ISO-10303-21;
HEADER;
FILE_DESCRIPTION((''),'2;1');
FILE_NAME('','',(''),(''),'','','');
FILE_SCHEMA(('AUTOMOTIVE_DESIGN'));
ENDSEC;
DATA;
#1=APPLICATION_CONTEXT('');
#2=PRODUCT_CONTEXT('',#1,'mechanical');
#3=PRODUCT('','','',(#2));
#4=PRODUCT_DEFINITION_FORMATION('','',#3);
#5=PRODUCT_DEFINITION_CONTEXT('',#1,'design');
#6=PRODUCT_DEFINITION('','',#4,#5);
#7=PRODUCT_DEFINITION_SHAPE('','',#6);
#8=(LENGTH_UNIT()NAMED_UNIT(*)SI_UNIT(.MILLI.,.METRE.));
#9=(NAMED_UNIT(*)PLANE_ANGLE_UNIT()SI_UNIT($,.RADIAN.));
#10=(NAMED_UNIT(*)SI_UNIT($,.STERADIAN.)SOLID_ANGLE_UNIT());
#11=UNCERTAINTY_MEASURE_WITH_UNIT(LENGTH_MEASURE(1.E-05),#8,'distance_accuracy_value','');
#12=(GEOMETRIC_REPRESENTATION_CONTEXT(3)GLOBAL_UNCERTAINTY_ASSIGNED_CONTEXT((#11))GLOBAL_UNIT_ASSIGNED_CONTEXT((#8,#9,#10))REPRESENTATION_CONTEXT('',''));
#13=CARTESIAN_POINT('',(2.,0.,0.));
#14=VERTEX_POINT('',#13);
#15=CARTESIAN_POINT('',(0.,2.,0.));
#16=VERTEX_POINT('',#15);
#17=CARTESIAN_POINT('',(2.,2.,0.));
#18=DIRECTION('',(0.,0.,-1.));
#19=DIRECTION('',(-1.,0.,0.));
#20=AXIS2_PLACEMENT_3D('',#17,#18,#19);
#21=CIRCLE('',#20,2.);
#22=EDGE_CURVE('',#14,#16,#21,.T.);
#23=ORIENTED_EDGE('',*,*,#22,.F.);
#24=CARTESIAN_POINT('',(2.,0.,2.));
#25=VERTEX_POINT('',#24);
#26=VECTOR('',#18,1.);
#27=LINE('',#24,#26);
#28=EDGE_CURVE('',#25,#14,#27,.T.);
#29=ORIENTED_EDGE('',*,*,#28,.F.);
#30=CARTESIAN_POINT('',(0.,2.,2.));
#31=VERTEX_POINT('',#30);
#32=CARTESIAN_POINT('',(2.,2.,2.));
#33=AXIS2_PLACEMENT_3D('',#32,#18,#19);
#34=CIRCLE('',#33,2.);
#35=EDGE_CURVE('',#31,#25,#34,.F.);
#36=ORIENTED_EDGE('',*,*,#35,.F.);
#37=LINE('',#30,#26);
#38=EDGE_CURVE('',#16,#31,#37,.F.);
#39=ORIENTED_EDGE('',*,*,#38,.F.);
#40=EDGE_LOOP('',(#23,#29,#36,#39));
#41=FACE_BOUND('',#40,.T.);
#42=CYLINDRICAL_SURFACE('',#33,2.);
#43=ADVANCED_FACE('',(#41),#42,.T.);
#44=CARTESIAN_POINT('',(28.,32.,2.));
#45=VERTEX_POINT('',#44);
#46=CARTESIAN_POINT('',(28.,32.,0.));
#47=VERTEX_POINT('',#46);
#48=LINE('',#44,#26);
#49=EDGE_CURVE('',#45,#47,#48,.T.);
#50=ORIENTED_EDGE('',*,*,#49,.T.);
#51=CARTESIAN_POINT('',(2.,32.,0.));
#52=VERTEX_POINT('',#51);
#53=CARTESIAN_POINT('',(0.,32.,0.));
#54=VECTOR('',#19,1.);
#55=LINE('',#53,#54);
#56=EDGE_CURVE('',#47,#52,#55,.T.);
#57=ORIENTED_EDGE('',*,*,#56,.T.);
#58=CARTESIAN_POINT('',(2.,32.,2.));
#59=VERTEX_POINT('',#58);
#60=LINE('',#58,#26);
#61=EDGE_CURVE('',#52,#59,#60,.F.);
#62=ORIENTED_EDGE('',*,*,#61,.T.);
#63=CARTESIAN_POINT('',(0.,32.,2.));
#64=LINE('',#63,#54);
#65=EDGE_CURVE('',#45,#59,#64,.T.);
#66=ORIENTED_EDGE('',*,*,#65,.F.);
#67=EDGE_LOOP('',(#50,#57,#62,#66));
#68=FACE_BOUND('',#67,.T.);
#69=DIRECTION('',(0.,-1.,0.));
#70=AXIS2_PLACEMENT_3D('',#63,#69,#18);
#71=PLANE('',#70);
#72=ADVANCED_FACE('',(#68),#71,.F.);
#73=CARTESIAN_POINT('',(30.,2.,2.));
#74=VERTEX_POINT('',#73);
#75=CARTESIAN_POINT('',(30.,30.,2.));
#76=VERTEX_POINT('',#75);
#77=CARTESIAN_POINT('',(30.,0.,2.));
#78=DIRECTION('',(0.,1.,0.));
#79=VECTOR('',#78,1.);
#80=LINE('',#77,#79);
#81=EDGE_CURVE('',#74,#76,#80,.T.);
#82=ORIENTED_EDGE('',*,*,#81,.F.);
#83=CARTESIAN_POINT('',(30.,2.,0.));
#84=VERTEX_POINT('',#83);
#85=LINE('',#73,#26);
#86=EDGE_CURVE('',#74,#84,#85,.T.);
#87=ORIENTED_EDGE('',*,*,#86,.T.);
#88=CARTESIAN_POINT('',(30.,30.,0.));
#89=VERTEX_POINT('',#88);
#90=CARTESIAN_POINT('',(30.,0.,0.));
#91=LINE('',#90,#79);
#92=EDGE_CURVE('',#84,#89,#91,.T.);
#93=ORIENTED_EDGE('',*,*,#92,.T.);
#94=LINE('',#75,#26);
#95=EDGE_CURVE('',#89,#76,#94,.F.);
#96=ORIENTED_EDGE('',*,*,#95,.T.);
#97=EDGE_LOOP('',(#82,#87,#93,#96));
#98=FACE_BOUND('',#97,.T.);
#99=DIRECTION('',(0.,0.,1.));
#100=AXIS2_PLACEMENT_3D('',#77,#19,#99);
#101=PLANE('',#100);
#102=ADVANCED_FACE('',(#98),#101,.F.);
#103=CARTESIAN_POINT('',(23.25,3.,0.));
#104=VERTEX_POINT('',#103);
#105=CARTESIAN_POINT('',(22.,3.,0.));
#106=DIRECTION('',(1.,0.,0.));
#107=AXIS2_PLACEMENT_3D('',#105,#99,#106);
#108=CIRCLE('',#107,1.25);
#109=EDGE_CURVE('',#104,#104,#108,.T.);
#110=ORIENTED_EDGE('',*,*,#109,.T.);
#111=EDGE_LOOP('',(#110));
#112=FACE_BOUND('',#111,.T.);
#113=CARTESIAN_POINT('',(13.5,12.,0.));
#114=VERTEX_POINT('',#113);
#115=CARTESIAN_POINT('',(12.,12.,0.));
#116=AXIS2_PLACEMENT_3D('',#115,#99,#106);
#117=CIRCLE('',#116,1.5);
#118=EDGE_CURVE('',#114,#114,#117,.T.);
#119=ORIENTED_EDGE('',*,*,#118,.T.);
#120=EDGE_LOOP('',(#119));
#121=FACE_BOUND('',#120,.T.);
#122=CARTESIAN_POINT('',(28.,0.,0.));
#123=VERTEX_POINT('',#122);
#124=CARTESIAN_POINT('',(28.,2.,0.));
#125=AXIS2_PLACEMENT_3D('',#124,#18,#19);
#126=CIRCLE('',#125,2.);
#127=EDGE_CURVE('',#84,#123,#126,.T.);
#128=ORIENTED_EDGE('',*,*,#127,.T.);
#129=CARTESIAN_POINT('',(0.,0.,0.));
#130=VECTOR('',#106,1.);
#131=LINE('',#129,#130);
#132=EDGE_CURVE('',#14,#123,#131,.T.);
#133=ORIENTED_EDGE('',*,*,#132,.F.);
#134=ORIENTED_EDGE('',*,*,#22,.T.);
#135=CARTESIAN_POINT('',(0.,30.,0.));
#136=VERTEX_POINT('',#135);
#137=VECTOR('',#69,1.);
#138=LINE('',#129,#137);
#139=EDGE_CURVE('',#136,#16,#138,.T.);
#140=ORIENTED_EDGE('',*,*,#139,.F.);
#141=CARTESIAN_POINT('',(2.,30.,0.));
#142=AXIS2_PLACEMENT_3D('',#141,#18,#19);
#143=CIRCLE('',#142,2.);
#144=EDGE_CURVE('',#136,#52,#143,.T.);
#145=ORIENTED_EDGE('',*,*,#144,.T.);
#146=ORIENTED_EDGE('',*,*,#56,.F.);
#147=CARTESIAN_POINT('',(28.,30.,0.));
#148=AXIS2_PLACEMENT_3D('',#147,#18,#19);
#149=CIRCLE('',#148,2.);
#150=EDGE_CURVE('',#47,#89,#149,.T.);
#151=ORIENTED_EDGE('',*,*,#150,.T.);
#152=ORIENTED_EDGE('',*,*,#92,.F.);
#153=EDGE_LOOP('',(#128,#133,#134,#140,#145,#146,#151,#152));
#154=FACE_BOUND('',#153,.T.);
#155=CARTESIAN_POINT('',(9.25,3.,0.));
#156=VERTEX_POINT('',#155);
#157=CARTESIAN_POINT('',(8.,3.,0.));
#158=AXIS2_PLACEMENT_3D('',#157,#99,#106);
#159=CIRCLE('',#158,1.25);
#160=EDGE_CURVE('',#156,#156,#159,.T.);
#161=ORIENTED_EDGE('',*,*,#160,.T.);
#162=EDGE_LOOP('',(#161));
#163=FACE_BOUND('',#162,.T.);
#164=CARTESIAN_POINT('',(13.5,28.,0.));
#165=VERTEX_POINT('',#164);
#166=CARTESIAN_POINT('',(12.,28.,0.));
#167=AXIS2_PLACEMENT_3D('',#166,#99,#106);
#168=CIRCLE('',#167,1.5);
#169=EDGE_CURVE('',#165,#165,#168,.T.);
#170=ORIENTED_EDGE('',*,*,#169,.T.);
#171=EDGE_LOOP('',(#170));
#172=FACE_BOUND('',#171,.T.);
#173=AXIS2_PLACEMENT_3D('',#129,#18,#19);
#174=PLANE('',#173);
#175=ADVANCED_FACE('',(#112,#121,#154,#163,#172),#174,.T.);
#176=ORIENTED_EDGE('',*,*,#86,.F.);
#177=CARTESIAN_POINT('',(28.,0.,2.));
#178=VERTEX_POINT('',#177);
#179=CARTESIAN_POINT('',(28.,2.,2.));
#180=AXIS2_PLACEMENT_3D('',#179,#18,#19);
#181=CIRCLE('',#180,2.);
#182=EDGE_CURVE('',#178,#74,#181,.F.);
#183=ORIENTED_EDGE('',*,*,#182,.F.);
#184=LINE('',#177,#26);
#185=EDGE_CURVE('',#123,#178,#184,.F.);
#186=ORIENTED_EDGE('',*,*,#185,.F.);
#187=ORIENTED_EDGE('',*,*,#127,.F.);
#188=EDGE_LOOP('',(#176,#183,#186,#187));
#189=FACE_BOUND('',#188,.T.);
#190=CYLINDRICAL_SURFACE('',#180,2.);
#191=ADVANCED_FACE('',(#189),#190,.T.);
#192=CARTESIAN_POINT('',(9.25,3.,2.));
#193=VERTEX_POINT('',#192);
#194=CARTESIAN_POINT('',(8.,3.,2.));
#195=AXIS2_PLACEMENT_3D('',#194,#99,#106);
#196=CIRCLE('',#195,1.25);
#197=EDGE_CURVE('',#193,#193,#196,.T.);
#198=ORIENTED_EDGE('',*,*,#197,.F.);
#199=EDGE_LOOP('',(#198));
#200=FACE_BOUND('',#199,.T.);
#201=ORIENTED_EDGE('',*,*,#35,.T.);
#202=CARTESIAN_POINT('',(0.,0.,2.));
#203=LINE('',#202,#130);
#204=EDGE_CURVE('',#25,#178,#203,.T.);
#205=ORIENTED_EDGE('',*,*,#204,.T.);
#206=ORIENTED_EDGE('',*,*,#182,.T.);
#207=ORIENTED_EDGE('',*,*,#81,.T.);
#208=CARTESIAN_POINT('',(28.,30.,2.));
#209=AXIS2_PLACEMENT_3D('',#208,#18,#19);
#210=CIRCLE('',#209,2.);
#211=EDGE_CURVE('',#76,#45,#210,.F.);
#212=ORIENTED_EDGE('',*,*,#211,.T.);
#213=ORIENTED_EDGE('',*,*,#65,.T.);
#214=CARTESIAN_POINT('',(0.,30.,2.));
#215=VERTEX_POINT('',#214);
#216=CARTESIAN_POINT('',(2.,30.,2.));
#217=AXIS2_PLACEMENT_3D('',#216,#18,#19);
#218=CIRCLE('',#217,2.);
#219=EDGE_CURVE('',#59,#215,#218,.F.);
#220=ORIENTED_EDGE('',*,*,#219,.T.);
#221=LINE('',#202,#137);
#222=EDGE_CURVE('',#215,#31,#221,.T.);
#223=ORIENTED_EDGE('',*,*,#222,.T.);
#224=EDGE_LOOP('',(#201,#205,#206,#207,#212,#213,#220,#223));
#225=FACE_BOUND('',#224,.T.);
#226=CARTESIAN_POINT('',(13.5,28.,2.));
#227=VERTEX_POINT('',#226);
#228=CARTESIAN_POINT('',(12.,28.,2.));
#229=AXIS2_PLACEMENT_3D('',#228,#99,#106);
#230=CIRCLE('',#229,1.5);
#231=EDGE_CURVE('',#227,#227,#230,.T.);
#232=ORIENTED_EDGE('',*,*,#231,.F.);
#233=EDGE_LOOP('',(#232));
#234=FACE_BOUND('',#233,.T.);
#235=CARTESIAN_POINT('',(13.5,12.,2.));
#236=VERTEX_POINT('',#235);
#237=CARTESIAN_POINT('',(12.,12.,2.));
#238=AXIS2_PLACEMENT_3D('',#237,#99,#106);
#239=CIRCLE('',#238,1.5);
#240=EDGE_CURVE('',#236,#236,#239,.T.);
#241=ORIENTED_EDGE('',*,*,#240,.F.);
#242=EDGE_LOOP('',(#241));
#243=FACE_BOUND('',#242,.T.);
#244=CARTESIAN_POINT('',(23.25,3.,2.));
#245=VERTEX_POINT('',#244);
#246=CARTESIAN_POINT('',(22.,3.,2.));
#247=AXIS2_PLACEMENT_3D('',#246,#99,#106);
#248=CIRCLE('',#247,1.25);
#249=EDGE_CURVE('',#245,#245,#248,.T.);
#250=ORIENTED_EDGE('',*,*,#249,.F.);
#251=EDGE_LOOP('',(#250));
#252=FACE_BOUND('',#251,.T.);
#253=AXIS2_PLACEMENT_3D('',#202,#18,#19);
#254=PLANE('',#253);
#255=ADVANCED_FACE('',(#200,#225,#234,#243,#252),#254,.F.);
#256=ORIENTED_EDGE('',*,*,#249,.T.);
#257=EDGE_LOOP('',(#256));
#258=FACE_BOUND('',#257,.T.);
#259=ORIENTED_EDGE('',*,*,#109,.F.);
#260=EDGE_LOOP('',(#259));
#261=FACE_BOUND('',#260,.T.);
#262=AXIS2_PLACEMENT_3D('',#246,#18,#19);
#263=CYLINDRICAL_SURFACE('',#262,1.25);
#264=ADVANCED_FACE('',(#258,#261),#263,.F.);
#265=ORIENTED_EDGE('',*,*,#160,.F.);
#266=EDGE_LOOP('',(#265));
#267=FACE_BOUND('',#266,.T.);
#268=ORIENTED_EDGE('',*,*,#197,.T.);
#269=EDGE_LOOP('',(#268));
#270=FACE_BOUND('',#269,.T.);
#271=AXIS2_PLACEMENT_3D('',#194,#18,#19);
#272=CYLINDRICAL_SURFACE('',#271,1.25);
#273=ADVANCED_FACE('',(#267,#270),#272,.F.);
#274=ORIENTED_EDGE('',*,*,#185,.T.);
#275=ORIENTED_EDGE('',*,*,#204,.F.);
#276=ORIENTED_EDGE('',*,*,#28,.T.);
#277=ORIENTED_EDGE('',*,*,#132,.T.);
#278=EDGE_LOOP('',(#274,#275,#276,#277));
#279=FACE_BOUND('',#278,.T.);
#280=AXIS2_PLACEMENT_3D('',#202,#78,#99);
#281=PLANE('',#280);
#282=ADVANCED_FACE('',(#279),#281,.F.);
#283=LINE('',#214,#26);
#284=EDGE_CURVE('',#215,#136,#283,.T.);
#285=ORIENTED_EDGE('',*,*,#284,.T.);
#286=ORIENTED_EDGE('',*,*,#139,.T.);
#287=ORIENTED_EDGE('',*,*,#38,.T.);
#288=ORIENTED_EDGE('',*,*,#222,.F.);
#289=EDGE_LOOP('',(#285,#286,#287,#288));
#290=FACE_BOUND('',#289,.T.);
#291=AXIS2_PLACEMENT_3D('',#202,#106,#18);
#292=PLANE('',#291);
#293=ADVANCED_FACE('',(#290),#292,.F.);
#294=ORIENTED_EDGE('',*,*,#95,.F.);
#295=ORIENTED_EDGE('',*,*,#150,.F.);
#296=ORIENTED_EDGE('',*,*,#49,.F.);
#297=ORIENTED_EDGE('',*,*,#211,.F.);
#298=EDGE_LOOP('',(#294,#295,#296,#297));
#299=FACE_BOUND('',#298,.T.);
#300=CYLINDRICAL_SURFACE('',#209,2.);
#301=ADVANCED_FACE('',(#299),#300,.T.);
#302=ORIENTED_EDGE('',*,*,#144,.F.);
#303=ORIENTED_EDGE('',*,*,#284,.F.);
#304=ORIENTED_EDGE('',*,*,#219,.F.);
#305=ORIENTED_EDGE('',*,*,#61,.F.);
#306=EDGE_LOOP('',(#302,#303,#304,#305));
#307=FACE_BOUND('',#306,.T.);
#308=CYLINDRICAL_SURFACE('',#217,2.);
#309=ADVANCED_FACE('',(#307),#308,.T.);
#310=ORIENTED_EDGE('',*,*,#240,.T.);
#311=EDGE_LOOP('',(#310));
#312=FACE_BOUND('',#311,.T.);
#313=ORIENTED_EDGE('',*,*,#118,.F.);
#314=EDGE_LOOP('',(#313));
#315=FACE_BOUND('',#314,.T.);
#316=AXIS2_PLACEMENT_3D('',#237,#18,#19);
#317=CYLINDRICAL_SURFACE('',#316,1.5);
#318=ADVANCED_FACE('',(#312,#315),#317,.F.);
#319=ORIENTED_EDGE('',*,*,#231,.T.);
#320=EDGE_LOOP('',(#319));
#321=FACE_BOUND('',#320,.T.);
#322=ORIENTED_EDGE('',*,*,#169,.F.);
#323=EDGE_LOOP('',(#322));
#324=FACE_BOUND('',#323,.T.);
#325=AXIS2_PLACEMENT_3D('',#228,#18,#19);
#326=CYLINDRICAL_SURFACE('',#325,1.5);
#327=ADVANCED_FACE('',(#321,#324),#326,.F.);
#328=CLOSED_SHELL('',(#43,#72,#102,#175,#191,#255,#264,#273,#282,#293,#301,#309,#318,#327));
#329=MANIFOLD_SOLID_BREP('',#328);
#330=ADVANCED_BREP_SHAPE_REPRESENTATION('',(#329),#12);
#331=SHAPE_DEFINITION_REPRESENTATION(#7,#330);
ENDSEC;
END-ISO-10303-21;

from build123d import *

# Parameters (mm, degrees)
SKETCH_1_W      = 30
SKETCH_1_H      = 32
SKETCH_1_R      = 1.25
SKETCH_1_R_2    = 1.5
EXTRUDE_1_DEPTH = 2
FILLET_1_R      = 2


with BuildPart() as part:
    # ｽｹｯﾁ1 → ﾎﾞｽ - 押し出し1 (new body)
    with BuildSketch(Plane.XY):
        with Locations((15, 16)):
            Rectangle(SKETCH_1_W, SKETCH_1_H)
        with Locations((8, 3)):
            Circle(SKETCH_1_R, mode=Mode.SUBTRACT)
        with Locations((22, 3)):
            Circle(SKETCH_1_R, mode=Mode.SUBTRACT)
        with Locations((12, 28)):
            Circle(SKETCH_1_R_2, mode=Mode.SUBTRACT)
        with Locations((12, 12)):
            Circle(SKETCH_1_R_2, mode=Mode.SUBTRACT)
    extrude(amount=EXTRUDE_1_DEPTH)

    # ﾌｨﾚｯﾄ1
    fillet_1_edges = [part.edges().sort_by_distance(p)[0] for p in [
        (0, 32, 1),
        (30, 32, 1),
        (30, 0, 1),
        (0, 0, 1),
    ]]
    fillet(fillet_1_edges, radius=FILLET_1_R)


solid = part.part
